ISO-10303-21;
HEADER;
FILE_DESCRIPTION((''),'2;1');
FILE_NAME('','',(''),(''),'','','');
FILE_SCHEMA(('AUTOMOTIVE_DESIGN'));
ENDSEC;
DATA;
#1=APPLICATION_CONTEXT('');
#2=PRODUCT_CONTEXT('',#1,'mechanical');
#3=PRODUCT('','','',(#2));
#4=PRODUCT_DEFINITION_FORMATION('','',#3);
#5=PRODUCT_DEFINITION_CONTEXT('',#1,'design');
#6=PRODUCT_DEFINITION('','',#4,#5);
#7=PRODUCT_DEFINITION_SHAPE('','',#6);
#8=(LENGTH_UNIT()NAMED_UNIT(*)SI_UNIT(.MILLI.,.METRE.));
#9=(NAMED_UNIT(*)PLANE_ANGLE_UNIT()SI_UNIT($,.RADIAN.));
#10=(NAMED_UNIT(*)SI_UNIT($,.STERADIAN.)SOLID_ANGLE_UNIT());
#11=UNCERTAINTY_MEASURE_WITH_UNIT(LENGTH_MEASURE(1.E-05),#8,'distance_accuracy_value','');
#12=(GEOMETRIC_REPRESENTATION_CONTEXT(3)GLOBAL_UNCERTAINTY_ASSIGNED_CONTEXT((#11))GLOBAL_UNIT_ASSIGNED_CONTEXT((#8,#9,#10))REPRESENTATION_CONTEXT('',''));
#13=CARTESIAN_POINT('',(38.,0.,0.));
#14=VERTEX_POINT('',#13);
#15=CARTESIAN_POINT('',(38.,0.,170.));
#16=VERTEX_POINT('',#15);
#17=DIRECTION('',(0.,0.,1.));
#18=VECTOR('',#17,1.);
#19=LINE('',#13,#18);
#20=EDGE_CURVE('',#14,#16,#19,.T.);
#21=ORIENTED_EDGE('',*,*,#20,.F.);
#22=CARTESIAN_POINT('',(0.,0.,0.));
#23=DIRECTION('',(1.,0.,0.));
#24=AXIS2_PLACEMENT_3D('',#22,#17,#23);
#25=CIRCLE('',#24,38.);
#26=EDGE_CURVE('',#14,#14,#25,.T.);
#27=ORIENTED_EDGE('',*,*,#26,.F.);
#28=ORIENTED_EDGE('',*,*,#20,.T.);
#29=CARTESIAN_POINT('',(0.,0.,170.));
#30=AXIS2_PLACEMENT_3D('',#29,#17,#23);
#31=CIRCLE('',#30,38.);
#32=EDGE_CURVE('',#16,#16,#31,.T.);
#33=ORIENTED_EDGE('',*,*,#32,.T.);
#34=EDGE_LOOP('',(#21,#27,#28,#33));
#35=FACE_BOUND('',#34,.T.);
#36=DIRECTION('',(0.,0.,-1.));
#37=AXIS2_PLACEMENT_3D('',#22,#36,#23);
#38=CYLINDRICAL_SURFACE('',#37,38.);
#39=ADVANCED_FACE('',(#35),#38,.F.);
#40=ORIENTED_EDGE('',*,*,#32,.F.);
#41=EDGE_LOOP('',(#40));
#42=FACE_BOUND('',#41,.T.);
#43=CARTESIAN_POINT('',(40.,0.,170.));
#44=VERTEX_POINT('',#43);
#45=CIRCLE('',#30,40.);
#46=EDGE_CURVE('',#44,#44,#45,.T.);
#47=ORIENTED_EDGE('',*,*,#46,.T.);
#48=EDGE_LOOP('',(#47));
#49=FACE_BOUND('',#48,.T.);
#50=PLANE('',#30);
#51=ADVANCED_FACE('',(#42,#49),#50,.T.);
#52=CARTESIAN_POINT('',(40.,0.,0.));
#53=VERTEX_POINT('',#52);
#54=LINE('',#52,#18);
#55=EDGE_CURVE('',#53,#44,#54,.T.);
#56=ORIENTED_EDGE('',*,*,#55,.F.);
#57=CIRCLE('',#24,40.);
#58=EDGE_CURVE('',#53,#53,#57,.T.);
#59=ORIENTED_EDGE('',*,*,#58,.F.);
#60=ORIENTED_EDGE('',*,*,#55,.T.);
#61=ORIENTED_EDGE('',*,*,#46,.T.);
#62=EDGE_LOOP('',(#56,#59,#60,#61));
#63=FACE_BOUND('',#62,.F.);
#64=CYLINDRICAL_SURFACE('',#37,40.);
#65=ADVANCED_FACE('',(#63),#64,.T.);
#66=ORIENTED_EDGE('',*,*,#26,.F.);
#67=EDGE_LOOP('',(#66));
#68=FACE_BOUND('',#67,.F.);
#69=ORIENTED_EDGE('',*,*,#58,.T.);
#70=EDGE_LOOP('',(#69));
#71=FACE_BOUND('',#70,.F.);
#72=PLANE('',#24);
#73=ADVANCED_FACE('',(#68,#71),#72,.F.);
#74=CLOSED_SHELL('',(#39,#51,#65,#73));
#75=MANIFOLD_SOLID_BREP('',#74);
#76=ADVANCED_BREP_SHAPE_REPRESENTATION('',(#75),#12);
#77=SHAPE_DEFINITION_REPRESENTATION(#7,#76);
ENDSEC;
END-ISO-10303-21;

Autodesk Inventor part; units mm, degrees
ref_plane "YZ Plane" through (0, 0, 0) normal (1, 0, 0) x (0, 1, 0)
ref_plane "XZ Plane" through (0, 0, 0) normal (0, 1, 0) x (-1, 0, 0)
ref_plane "XY Plane" through (0, 0, 0) normal (0, 0, 1) x (1, 0, 0)
sketch "Эскиз1" plane through (0, 0, 0) normal (0, 0, 1) x (1, 0, 0)
  circle A0 centre (0, 0) radius 38 projected
  circle A1 centre (0, 0) radius 40 projected
  point P0 (0, 0)
extrude "Выдавливание1" add sketch "Эскиз1" along normal blind 170
properties part number "Coil"
